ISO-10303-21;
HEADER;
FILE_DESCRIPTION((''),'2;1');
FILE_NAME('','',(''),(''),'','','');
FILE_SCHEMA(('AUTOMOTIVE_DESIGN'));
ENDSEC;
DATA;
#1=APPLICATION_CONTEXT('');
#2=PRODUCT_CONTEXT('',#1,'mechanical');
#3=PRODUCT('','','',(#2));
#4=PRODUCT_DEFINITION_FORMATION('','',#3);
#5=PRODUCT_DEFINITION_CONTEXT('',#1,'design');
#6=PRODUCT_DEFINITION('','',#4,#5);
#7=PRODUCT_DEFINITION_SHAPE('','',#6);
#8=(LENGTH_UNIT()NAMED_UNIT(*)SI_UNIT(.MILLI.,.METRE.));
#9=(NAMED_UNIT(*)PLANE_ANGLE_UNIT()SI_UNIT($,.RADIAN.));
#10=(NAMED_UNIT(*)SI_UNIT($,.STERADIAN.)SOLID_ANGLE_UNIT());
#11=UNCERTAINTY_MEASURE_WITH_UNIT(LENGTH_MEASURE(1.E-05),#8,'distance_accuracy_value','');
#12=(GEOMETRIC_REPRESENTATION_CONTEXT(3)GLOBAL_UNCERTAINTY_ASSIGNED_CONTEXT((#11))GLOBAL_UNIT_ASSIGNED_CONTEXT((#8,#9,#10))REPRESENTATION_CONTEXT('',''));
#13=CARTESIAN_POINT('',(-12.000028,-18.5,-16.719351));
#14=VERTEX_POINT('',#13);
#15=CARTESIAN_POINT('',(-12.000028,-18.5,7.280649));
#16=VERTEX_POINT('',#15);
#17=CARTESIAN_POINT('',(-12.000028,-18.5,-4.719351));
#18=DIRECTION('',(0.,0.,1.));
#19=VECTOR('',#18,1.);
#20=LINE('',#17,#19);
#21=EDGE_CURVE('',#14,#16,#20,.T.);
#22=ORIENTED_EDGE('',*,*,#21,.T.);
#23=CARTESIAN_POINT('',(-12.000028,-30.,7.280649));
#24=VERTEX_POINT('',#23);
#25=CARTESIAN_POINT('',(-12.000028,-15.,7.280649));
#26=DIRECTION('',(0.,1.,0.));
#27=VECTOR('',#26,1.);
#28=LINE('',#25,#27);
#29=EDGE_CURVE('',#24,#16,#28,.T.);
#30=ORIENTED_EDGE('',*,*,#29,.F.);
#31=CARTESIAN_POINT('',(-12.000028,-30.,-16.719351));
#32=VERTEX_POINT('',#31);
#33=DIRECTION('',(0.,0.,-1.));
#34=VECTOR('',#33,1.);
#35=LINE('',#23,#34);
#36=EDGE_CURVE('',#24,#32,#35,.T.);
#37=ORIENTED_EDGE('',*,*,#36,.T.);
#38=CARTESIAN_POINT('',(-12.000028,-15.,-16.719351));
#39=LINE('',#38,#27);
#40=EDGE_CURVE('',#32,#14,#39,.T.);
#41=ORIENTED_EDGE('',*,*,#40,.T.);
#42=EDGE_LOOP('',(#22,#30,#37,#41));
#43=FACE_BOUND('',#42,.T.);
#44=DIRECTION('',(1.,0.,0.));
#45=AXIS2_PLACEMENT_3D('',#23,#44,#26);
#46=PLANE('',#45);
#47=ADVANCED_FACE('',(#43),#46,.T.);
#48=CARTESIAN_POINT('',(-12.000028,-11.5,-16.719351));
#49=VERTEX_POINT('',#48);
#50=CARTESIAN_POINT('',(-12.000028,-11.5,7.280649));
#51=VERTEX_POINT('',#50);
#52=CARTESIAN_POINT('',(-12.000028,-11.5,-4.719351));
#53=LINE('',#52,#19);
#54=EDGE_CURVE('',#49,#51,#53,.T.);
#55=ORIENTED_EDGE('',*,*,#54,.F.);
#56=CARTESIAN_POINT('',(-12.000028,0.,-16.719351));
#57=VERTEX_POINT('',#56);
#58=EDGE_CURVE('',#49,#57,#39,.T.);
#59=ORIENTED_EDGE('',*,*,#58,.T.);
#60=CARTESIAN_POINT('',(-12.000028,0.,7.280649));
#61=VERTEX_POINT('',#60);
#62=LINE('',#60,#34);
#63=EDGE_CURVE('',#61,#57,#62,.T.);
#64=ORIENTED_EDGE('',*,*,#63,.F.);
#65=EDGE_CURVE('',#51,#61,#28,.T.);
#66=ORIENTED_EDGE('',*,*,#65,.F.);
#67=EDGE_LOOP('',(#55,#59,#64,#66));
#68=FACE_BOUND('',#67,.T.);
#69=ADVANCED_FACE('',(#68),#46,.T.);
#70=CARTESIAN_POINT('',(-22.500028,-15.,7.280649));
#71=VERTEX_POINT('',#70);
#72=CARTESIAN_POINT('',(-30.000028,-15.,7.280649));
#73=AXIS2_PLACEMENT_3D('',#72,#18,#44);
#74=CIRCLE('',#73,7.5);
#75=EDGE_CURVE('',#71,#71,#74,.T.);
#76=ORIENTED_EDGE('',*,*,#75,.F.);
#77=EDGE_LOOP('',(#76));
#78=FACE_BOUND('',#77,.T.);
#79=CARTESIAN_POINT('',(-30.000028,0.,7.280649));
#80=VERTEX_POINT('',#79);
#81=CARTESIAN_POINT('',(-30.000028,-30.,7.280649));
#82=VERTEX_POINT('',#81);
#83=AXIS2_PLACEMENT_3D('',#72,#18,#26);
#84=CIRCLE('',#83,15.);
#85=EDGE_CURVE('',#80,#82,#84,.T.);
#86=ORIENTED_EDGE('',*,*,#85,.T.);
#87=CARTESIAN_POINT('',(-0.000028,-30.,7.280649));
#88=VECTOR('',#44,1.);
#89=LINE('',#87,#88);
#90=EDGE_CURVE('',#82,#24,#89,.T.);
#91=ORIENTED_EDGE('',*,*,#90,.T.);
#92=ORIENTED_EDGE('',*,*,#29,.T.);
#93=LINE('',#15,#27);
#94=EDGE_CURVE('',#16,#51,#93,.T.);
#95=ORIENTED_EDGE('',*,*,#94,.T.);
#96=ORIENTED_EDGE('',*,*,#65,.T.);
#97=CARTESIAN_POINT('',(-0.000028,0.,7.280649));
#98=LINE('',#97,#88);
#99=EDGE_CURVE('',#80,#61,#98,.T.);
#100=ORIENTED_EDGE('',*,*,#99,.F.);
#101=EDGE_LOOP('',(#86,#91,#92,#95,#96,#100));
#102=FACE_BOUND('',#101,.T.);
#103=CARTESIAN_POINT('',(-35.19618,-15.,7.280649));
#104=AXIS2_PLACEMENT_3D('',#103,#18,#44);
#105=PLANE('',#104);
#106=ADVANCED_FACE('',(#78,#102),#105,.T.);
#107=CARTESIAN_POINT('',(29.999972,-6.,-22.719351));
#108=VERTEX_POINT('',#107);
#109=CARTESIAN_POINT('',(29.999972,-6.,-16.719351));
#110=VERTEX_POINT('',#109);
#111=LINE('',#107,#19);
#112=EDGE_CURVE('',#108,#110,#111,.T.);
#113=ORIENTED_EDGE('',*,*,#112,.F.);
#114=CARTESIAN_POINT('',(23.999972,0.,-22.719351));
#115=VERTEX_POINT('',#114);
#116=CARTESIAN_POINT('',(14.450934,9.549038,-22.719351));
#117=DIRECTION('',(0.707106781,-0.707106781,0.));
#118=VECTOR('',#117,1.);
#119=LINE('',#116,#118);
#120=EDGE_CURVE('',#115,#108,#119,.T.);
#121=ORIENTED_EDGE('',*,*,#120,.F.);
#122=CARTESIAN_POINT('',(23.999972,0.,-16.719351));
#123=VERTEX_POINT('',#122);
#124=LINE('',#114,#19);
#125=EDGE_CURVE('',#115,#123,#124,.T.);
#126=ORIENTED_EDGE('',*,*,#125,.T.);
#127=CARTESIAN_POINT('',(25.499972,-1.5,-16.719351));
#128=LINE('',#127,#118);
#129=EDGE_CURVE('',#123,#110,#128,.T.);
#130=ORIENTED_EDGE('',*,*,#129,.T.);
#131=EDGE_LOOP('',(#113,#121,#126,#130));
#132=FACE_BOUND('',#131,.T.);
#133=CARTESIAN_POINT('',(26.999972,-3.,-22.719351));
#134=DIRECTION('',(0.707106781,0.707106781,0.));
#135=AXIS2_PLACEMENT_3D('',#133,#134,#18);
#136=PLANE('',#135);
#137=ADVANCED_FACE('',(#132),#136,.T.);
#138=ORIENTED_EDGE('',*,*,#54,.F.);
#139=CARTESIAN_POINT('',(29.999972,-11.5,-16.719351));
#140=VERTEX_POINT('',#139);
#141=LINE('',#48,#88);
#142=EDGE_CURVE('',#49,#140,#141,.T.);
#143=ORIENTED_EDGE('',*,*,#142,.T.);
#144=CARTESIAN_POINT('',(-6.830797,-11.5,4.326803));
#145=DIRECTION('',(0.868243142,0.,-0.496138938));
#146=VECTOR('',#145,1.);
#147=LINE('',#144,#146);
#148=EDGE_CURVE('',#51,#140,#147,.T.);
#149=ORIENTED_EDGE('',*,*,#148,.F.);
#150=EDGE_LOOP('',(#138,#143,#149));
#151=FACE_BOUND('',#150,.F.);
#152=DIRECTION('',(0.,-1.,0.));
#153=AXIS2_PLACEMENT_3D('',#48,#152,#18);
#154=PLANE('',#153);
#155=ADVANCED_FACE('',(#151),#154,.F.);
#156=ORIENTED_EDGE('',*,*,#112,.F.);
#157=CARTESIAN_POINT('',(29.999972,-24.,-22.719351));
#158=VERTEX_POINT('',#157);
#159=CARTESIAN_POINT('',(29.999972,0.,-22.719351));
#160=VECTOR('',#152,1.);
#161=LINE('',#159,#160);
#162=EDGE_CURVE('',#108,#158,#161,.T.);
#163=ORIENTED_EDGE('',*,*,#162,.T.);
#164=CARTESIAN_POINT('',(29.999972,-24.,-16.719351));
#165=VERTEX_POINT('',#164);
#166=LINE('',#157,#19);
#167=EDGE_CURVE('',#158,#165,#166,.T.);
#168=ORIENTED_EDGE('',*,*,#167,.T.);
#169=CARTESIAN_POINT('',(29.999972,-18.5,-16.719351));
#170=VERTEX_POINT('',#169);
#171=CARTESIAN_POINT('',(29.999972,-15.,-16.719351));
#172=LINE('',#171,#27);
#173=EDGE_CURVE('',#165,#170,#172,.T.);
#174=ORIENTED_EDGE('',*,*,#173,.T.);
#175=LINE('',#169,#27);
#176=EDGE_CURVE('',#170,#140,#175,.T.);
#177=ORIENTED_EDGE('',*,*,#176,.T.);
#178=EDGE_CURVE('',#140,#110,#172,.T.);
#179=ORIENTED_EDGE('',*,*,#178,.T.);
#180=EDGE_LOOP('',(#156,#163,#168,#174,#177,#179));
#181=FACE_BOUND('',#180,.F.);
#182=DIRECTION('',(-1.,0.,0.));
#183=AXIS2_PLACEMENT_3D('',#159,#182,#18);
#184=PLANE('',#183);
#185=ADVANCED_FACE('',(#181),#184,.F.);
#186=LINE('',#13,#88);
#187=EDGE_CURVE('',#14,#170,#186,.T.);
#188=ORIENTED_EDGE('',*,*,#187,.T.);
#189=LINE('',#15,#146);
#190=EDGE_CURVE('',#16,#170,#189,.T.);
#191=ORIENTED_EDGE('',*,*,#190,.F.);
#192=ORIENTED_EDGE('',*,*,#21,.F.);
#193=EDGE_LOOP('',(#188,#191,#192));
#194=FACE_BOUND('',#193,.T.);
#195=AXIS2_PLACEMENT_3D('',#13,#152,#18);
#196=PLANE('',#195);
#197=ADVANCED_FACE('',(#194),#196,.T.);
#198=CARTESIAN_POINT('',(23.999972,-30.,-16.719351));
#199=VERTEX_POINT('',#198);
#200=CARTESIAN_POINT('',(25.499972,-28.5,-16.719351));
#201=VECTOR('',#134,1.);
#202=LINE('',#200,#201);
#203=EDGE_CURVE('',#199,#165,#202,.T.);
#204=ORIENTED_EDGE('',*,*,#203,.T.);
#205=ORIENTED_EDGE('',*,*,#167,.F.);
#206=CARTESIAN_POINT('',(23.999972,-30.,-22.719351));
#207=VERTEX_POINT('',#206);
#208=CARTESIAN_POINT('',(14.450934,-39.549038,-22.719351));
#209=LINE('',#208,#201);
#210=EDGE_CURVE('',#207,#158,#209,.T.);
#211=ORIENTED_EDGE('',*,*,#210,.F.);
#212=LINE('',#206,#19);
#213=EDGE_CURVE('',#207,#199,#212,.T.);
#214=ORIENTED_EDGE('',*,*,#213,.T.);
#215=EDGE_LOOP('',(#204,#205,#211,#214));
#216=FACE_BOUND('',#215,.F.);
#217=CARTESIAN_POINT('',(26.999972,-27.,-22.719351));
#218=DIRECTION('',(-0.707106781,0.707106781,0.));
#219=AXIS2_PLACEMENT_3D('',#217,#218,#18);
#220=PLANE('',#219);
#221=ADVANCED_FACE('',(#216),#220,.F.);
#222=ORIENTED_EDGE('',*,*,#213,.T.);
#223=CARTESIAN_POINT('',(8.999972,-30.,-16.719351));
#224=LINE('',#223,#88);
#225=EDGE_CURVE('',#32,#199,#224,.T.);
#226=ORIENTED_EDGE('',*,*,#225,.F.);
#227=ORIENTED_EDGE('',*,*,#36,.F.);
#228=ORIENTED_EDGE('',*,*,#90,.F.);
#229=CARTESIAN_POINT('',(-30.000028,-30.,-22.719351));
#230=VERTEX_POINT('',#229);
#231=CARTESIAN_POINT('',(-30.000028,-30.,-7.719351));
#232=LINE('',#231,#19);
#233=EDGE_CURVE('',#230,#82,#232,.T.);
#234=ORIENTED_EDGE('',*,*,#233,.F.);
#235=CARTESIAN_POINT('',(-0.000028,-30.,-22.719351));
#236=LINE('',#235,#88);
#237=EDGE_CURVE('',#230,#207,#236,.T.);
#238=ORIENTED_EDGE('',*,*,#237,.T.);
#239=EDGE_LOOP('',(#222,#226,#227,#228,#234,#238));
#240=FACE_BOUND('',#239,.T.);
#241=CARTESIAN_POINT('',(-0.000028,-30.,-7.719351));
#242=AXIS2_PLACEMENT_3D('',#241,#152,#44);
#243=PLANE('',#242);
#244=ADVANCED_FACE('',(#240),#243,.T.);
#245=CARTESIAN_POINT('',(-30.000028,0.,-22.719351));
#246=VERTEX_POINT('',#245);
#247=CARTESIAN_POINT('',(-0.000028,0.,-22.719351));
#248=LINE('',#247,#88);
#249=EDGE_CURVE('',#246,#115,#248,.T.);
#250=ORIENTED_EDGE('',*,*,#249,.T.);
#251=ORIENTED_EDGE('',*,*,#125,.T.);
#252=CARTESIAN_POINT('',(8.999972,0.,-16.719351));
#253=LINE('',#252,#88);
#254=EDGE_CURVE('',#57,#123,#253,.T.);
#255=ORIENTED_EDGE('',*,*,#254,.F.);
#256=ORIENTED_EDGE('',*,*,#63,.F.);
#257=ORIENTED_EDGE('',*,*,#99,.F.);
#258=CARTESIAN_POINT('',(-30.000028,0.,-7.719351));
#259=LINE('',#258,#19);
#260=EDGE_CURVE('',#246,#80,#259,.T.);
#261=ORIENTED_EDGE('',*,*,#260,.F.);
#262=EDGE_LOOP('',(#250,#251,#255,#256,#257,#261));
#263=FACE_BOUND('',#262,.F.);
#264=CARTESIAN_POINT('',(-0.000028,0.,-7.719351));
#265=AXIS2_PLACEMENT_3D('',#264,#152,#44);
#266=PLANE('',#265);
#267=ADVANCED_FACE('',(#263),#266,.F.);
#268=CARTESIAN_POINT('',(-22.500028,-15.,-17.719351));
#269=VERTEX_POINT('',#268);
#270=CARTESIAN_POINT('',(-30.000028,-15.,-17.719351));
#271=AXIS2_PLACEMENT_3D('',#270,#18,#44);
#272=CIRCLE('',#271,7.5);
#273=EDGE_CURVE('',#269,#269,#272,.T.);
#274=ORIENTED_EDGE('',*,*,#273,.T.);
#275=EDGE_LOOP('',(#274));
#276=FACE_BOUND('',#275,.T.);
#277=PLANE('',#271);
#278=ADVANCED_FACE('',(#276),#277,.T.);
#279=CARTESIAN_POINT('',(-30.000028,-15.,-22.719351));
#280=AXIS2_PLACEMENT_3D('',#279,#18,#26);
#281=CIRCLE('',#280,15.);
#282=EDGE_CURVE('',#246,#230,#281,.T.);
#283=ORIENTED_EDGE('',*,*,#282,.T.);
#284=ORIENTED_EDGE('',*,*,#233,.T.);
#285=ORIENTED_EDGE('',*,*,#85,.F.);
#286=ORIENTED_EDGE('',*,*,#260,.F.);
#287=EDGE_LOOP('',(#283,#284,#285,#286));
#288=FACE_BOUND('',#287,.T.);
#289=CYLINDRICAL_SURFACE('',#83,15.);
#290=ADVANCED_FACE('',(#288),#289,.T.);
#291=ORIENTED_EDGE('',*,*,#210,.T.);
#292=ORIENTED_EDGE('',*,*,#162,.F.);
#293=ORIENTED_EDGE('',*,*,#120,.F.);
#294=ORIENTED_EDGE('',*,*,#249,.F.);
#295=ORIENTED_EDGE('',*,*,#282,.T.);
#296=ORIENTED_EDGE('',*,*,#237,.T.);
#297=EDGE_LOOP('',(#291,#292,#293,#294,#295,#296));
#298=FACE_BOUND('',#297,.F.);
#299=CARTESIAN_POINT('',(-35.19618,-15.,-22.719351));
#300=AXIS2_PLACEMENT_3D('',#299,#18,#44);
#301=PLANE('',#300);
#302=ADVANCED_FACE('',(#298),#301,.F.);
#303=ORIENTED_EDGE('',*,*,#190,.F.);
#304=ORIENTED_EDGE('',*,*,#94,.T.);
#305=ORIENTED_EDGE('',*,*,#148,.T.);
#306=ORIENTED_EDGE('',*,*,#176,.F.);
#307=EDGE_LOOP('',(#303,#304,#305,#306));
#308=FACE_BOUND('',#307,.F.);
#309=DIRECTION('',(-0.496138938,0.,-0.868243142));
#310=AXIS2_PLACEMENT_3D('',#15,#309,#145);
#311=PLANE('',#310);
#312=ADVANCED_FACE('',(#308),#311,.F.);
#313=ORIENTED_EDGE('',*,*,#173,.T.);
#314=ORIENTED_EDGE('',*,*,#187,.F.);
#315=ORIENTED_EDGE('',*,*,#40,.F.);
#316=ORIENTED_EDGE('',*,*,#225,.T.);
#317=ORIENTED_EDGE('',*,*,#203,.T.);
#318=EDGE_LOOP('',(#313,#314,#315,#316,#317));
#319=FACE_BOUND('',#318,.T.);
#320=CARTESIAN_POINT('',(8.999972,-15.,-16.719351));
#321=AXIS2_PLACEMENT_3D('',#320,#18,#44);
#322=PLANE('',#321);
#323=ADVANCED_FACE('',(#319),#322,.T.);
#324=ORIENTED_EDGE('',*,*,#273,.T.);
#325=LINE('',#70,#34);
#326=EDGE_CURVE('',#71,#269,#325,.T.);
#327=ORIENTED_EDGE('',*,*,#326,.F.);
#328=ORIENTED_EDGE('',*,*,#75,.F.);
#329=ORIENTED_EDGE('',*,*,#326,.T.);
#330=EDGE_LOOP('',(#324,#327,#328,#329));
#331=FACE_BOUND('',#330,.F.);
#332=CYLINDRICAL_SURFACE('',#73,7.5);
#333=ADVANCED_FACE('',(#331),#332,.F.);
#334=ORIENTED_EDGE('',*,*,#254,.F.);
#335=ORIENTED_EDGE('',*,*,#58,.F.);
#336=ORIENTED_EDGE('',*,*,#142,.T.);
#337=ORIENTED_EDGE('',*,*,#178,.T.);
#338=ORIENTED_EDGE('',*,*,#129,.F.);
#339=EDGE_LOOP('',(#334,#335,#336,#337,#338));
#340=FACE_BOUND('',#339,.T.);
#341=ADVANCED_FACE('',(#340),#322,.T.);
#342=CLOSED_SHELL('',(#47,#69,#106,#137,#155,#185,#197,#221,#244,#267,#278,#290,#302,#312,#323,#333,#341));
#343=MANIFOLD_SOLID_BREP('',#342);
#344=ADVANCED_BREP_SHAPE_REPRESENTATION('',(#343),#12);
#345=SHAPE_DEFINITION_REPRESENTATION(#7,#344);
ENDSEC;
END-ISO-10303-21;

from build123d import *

# Parameters (mm, degrees)
F0_W      = 60
F0_H      = 30
F1_DEPTH  = 30
F3_DEPTH  = 30
F4_W      = 42
F4_H      = 30
F5_DEPTH  = 24
F6_W      = 7
F6_H      = 24
F7_DEPTH  = 42
F9_DEPTH  = 25
F10_R     = 7.5
F11_DEPTH = 25
F12_SIZE  = 6


with BuildPart() as f1:
    # F0 (on Front) → F1 (new body)
    with BuildSketch(Plane.XZ):
        with Locations((-2.8e-05, -7.719351)):
            Rectangle(F0_W, F0_H)
    extrude(amount=F1_DEPTH)

    # F2 (on face) → F3 (join)
    with BuildSketch(Plane.XY.offset(7.280649)):
        with BuildLine():
            Line((-30.000028, -30), (-30.000028, 0))
            ThreePointArc((-30.000028, 0), (-45.000028, -15), (-30.000028, -30))
        make_face()
    extrude(amount=-F3_DEPTH)

    # F4 (on face) → F5 (cut)
    with BuildSketch(Plane.XY.offset(7.280649)):
        with Locations((8.999972, -15)):
            Rectangle(F4_W, F4_H)
    extrude(amount=-F5_DEPTH, mode=Mode.SUBTRACT)

    # F6 (on face) → F7 (join, through all)
    with BuildSketch(Plane.YZ.offset(-12.000028)):
        with Locations((-15, -4.719351)):
            Rectangle(F6_W, F6_H)
    extrude(amount=F7_DEPTH)

    # F8 (on face) → F9 (cut)
    with BuildSketch(Plane.XZ.offset(18.5)):
        Polygon((29.999972, 7.280649), (-12.000028, 7.280649), (29.999972, -16.719351), align=None)
    extrude(amount=-F9_DEPTH, mode=Mode.SUBTRACT)

    # F10 (on face) → F11 (cut)
    with BuildSketch(Plane.XY.offset(7.280649)):
        with Locations((-30.000028, -15)):
            Circle(F10_R)
    extrude(amount=-F11_DEPTH, mode=Mode.SUBTRACT)

    # F12
    f12_edges = [f1.edges().sort_by_distance(p)[0] for p in [
        (29.999972, -30, -19.719351),
        (29.999972, 0, -19.719351),
    ]]
    chamfer(f12_edges, length=F12_SIZE)


solid = f1.part
